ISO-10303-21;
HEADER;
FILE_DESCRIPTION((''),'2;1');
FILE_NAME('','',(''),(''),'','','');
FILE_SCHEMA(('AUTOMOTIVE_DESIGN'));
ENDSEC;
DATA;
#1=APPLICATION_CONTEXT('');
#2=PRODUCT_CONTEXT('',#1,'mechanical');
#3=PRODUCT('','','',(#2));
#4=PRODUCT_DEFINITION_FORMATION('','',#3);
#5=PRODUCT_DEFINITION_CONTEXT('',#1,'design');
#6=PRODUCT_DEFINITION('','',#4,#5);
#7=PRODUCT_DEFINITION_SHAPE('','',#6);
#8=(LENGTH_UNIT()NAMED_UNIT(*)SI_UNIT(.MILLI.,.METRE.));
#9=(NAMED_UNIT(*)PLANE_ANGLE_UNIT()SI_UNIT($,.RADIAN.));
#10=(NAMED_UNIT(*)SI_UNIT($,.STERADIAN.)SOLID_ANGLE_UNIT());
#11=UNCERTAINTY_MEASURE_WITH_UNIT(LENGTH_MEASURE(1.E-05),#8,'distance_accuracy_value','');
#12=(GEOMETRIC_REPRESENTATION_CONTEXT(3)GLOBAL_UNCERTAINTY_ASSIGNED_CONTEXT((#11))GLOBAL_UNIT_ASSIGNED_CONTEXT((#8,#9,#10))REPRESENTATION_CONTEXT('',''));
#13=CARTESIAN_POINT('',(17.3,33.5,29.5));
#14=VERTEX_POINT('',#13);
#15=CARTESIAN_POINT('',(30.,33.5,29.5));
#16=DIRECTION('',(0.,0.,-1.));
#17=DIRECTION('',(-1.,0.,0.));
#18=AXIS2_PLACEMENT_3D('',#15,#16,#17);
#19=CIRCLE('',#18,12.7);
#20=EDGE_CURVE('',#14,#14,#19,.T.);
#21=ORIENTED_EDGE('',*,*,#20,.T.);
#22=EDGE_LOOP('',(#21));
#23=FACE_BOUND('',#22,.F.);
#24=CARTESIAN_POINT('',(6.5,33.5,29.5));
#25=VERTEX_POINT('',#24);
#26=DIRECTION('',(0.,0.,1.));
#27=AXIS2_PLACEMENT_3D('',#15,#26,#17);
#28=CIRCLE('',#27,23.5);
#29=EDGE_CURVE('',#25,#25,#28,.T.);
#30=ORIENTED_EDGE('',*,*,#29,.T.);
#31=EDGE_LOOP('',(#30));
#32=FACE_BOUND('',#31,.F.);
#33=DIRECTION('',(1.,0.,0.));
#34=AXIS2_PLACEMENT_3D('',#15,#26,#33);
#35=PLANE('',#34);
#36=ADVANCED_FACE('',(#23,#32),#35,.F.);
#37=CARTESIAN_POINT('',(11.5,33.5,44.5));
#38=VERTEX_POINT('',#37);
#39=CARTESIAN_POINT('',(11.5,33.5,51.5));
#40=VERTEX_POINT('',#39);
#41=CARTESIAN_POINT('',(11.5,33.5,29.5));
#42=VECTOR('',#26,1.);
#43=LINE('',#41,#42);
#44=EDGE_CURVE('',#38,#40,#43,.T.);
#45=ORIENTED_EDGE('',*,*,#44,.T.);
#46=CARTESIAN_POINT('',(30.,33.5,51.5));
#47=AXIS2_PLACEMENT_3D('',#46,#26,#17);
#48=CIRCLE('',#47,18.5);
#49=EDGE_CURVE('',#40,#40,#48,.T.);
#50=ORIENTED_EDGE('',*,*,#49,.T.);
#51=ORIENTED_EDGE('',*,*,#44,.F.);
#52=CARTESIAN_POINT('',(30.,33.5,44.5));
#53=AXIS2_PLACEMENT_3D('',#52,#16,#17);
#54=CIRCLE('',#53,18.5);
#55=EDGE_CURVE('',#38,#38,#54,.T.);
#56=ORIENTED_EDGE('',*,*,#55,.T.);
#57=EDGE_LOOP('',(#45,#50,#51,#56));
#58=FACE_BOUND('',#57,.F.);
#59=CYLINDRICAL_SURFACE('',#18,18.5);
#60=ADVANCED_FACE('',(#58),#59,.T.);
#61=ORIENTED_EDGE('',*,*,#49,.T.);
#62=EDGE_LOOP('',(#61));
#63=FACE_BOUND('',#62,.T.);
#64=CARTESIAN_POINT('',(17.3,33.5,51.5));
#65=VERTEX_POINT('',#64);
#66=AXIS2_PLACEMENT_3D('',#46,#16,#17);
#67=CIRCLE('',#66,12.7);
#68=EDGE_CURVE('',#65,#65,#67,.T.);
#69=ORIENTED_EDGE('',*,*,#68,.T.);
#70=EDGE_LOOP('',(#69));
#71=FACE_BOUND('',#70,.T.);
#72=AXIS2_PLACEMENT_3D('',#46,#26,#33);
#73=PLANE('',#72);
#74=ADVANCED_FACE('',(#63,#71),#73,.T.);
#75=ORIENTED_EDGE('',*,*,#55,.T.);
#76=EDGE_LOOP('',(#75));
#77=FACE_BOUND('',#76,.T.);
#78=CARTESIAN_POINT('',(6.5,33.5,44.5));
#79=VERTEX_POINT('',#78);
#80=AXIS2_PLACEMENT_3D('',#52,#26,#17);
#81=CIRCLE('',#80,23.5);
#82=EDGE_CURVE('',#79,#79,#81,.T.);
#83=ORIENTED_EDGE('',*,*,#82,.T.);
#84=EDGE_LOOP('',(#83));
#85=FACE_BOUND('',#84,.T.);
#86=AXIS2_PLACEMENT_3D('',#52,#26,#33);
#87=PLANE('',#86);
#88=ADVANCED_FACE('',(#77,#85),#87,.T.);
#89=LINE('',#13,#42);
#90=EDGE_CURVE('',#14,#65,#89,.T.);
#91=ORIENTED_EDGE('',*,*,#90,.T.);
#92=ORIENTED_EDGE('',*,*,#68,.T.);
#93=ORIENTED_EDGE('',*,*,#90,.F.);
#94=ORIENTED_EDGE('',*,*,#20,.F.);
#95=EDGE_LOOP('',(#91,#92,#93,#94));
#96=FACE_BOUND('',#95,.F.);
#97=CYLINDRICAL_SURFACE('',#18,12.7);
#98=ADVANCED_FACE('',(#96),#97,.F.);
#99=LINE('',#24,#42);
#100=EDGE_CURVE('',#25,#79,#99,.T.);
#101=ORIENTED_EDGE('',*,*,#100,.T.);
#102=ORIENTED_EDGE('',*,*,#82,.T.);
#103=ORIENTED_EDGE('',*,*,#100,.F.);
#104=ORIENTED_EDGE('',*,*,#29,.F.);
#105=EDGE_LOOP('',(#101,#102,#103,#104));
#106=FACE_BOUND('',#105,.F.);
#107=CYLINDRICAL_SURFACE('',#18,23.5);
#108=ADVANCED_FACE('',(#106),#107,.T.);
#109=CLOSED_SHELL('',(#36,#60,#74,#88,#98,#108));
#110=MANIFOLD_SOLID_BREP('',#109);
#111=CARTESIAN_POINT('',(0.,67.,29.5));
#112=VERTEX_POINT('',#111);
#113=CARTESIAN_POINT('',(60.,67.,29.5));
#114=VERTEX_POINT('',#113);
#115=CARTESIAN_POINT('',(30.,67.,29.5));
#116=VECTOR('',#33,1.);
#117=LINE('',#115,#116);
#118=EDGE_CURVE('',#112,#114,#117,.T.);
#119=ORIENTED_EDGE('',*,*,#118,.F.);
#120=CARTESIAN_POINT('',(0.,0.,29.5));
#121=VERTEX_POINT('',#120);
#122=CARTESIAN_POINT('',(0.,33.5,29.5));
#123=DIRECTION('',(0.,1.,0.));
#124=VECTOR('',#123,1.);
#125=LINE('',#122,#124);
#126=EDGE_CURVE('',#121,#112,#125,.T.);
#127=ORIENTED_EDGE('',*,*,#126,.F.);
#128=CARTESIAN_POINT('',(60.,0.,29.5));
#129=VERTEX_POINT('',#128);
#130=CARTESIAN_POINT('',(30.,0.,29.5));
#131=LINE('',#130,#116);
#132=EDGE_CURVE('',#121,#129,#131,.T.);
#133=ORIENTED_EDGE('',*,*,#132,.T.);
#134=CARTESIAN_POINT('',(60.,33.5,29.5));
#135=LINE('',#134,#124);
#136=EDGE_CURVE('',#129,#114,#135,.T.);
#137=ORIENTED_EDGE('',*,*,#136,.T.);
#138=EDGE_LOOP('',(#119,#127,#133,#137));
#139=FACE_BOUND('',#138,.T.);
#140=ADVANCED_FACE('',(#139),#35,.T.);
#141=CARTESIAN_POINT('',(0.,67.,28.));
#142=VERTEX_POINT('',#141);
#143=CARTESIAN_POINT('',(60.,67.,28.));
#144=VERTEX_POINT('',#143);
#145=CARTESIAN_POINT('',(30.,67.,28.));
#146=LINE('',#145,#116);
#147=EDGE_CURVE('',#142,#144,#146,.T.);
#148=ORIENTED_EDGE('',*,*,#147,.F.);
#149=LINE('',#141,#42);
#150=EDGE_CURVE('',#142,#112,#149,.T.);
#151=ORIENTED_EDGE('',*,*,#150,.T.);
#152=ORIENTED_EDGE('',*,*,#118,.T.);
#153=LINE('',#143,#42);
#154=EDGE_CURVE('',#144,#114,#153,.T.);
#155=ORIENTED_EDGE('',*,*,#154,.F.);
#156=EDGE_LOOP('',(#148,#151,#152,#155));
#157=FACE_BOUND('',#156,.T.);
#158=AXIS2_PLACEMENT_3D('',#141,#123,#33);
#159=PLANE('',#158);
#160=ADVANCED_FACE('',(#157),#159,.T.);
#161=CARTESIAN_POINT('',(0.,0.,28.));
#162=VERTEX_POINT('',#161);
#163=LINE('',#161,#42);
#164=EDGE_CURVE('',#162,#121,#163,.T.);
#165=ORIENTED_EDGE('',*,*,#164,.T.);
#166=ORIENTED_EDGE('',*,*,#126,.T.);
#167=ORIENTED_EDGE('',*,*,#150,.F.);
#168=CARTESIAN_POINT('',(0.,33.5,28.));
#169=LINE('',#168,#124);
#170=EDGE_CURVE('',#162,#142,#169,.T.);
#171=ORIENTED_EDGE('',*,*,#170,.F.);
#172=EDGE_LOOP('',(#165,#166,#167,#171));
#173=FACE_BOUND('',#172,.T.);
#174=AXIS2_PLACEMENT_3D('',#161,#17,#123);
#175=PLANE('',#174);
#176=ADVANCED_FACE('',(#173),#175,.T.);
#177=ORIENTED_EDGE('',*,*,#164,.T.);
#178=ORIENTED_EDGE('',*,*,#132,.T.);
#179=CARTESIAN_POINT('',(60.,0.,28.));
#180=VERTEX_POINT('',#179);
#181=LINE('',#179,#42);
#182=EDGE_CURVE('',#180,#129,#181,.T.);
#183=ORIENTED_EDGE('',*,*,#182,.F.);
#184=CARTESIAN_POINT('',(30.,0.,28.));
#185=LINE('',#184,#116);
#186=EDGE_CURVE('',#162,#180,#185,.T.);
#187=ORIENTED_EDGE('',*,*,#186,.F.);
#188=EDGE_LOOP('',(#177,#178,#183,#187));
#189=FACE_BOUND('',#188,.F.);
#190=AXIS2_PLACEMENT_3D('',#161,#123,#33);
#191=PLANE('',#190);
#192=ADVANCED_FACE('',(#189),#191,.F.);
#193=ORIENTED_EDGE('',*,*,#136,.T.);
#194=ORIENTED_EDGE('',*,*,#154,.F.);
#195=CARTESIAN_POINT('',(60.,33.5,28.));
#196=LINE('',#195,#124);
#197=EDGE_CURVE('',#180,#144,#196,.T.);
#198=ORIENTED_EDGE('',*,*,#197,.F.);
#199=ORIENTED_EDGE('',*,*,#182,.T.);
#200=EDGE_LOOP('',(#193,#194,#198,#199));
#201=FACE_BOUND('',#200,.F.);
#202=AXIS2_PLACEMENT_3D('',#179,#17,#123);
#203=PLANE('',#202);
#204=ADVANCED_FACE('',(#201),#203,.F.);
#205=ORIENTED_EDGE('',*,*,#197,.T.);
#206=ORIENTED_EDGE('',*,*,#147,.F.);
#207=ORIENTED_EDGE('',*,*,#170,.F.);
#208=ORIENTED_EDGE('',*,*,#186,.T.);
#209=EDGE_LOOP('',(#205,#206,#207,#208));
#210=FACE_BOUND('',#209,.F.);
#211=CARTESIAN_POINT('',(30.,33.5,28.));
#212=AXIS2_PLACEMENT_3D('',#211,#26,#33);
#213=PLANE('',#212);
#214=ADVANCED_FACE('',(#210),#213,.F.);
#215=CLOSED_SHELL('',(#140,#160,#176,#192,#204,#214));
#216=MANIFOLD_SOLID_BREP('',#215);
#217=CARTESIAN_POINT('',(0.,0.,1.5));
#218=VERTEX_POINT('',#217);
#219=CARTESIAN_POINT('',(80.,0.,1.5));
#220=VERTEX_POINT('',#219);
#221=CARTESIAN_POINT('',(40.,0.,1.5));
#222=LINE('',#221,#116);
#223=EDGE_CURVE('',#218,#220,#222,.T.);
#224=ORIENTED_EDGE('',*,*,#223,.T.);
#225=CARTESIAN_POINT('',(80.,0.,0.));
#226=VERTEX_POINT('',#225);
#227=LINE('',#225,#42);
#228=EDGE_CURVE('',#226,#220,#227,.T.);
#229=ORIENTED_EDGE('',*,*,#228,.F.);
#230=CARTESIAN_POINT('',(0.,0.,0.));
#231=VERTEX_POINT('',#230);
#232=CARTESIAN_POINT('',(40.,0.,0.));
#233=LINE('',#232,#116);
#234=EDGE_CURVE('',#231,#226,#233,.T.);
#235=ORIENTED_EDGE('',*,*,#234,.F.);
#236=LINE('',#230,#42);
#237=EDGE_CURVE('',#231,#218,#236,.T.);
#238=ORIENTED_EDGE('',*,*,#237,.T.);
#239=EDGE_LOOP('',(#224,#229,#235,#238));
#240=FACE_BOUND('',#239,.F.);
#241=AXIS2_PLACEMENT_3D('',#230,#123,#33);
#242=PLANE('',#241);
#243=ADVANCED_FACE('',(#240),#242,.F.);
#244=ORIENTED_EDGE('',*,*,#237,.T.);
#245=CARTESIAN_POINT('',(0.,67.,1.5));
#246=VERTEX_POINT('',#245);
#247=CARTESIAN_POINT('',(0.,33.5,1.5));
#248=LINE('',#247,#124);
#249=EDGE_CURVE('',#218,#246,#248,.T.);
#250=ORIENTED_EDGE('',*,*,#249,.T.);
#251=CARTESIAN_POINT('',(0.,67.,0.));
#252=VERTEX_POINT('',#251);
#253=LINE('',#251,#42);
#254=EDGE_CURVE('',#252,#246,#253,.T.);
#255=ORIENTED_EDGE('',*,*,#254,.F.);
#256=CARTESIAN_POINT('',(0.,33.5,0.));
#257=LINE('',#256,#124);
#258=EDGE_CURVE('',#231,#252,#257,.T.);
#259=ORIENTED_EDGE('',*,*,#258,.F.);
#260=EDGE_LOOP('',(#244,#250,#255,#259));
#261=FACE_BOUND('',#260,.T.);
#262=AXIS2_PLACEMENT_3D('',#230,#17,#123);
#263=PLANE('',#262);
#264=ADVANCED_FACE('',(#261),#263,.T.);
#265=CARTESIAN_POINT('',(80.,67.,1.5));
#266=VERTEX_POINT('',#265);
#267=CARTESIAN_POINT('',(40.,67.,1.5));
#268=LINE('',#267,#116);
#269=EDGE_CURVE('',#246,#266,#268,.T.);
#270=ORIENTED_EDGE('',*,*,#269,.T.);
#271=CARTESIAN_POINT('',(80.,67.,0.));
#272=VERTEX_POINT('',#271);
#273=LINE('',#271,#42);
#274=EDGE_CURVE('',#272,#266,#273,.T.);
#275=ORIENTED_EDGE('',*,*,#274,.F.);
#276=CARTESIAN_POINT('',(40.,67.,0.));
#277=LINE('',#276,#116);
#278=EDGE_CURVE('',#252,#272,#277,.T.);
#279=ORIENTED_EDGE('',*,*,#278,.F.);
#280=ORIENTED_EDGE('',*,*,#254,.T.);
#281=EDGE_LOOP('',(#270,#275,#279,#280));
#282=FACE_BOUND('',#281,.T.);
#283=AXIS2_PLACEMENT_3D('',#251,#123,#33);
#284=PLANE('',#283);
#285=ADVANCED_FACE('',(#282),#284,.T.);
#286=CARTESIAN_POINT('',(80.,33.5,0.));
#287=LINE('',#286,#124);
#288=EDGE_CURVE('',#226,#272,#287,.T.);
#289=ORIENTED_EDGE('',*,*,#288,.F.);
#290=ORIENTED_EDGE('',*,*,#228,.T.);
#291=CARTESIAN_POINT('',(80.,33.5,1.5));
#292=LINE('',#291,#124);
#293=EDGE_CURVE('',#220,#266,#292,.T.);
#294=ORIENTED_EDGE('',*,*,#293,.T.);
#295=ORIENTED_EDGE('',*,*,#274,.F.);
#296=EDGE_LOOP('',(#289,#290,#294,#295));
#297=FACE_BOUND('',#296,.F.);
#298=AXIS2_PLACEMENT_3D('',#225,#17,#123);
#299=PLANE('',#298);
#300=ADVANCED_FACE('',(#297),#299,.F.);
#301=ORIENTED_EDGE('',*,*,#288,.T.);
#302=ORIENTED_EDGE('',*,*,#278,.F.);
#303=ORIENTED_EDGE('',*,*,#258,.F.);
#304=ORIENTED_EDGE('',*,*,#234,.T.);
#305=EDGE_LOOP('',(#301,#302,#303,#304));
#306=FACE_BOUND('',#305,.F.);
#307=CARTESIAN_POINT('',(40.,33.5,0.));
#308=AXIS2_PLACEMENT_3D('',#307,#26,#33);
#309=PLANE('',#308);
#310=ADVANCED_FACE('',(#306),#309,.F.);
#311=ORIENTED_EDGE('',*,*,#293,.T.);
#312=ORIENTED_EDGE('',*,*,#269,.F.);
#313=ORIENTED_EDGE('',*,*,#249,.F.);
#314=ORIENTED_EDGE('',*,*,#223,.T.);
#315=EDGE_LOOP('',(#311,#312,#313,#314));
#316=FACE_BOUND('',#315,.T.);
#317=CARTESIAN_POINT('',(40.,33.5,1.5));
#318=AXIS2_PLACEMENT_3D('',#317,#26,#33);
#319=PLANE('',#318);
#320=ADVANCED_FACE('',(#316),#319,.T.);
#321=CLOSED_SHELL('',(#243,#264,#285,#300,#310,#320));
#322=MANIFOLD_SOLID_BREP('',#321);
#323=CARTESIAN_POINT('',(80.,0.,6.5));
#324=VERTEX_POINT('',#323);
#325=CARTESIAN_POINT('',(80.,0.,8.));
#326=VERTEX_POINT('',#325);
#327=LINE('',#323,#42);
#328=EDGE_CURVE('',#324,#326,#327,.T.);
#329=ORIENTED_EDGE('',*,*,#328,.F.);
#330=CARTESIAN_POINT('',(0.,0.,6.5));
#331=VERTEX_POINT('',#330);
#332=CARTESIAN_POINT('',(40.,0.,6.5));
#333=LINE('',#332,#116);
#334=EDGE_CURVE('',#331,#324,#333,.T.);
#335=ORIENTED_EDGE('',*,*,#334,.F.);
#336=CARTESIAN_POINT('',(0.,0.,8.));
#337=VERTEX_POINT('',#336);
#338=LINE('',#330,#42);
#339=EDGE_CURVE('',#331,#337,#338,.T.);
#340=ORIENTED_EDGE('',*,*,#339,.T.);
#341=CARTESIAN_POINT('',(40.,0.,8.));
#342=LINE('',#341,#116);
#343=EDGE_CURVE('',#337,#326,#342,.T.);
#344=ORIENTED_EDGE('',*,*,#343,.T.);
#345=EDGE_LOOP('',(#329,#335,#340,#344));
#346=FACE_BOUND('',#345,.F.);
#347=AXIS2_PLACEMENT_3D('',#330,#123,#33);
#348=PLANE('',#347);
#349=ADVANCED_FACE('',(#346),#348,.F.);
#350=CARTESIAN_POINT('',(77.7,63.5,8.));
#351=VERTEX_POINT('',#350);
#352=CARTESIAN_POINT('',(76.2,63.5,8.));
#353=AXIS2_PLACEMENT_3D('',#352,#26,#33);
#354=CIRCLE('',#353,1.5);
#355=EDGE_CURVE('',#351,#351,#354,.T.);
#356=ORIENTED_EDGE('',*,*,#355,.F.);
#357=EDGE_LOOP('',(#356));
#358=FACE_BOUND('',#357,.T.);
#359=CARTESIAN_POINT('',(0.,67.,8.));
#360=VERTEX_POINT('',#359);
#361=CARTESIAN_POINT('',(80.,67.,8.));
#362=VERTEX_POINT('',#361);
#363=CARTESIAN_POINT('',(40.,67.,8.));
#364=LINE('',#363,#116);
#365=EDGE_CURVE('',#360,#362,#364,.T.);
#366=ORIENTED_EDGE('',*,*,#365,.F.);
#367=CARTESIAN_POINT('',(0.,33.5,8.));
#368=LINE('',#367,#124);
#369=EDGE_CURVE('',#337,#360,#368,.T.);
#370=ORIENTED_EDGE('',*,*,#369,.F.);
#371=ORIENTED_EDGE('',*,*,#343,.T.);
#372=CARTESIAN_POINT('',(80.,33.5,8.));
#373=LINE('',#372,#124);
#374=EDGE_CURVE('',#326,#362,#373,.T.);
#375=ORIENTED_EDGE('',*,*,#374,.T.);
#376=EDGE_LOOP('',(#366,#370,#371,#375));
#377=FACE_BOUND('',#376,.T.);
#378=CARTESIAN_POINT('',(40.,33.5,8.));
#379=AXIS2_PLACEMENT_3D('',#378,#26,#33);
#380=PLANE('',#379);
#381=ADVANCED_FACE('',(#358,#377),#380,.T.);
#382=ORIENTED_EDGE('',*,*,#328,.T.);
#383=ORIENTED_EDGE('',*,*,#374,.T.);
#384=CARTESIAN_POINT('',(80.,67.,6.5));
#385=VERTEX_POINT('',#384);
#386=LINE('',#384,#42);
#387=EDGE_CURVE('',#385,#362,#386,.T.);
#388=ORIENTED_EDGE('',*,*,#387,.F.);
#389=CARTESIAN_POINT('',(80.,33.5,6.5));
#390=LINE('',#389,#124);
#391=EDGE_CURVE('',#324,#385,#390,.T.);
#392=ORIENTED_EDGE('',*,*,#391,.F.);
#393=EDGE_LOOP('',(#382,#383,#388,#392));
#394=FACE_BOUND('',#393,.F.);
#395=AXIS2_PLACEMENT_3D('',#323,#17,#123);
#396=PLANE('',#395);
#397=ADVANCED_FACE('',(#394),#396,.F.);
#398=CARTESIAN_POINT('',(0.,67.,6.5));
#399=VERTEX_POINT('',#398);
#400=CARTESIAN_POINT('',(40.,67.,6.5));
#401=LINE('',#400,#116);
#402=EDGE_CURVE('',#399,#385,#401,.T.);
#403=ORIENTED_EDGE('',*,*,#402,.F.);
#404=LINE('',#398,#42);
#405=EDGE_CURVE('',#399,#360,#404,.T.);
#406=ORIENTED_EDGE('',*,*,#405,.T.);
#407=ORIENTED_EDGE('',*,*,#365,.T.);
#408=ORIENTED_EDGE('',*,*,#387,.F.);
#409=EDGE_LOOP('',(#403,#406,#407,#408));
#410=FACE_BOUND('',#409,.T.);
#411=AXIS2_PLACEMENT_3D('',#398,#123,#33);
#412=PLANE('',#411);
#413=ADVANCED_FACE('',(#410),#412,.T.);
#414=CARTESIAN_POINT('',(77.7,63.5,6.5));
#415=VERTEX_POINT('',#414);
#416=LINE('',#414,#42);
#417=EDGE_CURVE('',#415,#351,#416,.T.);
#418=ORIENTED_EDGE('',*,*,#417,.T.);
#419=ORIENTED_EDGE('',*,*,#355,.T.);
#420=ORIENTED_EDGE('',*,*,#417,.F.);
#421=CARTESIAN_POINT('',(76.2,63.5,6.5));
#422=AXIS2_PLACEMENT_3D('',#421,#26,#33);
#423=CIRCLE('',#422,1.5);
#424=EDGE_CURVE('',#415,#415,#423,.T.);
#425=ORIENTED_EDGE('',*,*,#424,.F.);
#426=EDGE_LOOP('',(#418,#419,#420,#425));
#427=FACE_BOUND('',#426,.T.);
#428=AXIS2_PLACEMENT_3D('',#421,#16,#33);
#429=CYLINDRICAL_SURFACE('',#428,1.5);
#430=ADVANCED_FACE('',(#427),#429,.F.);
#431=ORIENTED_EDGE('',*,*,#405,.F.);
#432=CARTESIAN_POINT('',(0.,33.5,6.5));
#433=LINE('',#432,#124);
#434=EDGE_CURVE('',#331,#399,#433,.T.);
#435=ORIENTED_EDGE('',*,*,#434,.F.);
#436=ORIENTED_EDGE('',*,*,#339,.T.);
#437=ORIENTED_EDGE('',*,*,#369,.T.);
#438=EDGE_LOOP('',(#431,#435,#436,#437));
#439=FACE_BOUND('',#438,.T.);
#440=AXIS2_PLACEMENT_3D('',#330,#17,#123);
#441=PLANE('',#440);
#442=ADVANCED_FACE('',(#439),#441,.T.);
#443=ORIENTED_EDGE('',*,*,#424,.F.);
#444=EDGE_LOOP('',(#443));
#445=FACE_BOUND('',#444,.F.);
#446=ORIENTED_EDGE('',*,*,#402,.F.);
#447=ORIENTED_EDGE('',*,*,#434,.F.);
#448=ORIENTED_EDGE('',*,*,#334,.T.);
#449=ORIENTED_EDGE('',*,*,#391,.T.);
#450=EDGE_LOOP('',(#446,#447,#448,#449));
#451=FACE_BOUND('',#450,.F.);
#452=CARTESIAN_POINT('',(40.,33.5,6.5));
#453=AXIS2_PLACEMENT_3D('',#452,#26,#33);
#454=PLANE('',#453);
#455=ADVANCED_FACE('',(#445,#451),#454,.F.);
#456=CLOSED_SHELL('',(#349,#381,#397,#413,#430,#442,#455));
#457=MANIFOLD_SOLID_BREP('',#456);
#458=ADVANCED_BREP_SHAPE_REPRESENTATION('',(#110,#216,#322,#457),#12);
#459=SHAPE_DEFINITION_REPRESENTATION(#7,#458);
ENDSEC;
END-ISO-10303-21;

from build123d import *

# Parameters (mm, degrees)
F0_W      = 80
F0_H      = 67
F1_DEPTH  = 1.5
F3_W      = 80
F3_H      = 67
F3_R      = 1.5
F4_DEPTH  = 1.5
F6_W      = 60
F6_H      = 67
F7_DEPTH  = 1.5
F9_DEPTH  = 15
F10_DEPTH = 22


with BuildPart() as f1:
    # F0 (on Top) → F1 (new body)
    with BuildSketch(Plane.XY):
        with Locations((40, 33.5)):
            Rectangle(F0_W, F0_H)
    extrude(amount=F1_DEPTH)


with BuildPart() as f4:
    # F3 (on offset) → F4 (new body)
    with BuildSketch(Plane.XY.offset(6.5)):
        with Locations((40, 33.5)):
            Rectangle(F3_W, F3_H)
        with Locations((76.2, 63.5)):
            Circle(F3_R, mode=Mode.SUBTRACT)
    extrude(amount=F4_DEPTH)


with BuildPart() as f7:
    # F6 (on offset) → F7 (new body)
    with BuildSketch(Plane.XY.offset(28)):
        with Locations((30, 33.5)):
            Rectangle(F6_W, F6_H)
    extrude(amount=F7_DEPTH)


with BuildPart() as f9:
    # F8 (on face) → F9 (new body)
    with BuildSketch(Plane.XY.offset(29.5)):
        with BuildLine():
            ThreePointArc((53.5, 33.5), (30, 57), (6.5, 33.5))
            ThreePointArc((6.5, 33.5), (30, 10), (53.5, 33.5))
        make_face()
        with BuildLine():
            ThreePointArc((48.5, 33.5), (30, 15), (11.5, 33.5))
            ThreePointArc((11.5, 33.5), (30, 52), (48.5, 33.5))
        make_face(mode=Mode.SUBTRACT)
    extrude(amount=F9_DEPTH)

    # F8 (on face) → F10 (join)
    with BuildSketch(Plane.XY.offset(29.5)):
        with BuildLine():
            ThreePointArc((48.5, 33.5), (30, 52), (11.5, 33.5))
            ThreePointArc((11.5, 33.5), (30, 15), (48.5, 33.5))
        make_face()
        with BuildLine():
            ThreePointArc((42.7, 33.5), (30, 20.8), (17.3, 33.5))
            ThreePointArc((17.3, 33.5), (30, 46.2), (42.7, 33.5))
        make_face(mode=Mode.SUBTRACT)
    extrude(amount=F10_DEPTH)


solid = Compound([f1.part, f4.part, f7.part, f9.part])
